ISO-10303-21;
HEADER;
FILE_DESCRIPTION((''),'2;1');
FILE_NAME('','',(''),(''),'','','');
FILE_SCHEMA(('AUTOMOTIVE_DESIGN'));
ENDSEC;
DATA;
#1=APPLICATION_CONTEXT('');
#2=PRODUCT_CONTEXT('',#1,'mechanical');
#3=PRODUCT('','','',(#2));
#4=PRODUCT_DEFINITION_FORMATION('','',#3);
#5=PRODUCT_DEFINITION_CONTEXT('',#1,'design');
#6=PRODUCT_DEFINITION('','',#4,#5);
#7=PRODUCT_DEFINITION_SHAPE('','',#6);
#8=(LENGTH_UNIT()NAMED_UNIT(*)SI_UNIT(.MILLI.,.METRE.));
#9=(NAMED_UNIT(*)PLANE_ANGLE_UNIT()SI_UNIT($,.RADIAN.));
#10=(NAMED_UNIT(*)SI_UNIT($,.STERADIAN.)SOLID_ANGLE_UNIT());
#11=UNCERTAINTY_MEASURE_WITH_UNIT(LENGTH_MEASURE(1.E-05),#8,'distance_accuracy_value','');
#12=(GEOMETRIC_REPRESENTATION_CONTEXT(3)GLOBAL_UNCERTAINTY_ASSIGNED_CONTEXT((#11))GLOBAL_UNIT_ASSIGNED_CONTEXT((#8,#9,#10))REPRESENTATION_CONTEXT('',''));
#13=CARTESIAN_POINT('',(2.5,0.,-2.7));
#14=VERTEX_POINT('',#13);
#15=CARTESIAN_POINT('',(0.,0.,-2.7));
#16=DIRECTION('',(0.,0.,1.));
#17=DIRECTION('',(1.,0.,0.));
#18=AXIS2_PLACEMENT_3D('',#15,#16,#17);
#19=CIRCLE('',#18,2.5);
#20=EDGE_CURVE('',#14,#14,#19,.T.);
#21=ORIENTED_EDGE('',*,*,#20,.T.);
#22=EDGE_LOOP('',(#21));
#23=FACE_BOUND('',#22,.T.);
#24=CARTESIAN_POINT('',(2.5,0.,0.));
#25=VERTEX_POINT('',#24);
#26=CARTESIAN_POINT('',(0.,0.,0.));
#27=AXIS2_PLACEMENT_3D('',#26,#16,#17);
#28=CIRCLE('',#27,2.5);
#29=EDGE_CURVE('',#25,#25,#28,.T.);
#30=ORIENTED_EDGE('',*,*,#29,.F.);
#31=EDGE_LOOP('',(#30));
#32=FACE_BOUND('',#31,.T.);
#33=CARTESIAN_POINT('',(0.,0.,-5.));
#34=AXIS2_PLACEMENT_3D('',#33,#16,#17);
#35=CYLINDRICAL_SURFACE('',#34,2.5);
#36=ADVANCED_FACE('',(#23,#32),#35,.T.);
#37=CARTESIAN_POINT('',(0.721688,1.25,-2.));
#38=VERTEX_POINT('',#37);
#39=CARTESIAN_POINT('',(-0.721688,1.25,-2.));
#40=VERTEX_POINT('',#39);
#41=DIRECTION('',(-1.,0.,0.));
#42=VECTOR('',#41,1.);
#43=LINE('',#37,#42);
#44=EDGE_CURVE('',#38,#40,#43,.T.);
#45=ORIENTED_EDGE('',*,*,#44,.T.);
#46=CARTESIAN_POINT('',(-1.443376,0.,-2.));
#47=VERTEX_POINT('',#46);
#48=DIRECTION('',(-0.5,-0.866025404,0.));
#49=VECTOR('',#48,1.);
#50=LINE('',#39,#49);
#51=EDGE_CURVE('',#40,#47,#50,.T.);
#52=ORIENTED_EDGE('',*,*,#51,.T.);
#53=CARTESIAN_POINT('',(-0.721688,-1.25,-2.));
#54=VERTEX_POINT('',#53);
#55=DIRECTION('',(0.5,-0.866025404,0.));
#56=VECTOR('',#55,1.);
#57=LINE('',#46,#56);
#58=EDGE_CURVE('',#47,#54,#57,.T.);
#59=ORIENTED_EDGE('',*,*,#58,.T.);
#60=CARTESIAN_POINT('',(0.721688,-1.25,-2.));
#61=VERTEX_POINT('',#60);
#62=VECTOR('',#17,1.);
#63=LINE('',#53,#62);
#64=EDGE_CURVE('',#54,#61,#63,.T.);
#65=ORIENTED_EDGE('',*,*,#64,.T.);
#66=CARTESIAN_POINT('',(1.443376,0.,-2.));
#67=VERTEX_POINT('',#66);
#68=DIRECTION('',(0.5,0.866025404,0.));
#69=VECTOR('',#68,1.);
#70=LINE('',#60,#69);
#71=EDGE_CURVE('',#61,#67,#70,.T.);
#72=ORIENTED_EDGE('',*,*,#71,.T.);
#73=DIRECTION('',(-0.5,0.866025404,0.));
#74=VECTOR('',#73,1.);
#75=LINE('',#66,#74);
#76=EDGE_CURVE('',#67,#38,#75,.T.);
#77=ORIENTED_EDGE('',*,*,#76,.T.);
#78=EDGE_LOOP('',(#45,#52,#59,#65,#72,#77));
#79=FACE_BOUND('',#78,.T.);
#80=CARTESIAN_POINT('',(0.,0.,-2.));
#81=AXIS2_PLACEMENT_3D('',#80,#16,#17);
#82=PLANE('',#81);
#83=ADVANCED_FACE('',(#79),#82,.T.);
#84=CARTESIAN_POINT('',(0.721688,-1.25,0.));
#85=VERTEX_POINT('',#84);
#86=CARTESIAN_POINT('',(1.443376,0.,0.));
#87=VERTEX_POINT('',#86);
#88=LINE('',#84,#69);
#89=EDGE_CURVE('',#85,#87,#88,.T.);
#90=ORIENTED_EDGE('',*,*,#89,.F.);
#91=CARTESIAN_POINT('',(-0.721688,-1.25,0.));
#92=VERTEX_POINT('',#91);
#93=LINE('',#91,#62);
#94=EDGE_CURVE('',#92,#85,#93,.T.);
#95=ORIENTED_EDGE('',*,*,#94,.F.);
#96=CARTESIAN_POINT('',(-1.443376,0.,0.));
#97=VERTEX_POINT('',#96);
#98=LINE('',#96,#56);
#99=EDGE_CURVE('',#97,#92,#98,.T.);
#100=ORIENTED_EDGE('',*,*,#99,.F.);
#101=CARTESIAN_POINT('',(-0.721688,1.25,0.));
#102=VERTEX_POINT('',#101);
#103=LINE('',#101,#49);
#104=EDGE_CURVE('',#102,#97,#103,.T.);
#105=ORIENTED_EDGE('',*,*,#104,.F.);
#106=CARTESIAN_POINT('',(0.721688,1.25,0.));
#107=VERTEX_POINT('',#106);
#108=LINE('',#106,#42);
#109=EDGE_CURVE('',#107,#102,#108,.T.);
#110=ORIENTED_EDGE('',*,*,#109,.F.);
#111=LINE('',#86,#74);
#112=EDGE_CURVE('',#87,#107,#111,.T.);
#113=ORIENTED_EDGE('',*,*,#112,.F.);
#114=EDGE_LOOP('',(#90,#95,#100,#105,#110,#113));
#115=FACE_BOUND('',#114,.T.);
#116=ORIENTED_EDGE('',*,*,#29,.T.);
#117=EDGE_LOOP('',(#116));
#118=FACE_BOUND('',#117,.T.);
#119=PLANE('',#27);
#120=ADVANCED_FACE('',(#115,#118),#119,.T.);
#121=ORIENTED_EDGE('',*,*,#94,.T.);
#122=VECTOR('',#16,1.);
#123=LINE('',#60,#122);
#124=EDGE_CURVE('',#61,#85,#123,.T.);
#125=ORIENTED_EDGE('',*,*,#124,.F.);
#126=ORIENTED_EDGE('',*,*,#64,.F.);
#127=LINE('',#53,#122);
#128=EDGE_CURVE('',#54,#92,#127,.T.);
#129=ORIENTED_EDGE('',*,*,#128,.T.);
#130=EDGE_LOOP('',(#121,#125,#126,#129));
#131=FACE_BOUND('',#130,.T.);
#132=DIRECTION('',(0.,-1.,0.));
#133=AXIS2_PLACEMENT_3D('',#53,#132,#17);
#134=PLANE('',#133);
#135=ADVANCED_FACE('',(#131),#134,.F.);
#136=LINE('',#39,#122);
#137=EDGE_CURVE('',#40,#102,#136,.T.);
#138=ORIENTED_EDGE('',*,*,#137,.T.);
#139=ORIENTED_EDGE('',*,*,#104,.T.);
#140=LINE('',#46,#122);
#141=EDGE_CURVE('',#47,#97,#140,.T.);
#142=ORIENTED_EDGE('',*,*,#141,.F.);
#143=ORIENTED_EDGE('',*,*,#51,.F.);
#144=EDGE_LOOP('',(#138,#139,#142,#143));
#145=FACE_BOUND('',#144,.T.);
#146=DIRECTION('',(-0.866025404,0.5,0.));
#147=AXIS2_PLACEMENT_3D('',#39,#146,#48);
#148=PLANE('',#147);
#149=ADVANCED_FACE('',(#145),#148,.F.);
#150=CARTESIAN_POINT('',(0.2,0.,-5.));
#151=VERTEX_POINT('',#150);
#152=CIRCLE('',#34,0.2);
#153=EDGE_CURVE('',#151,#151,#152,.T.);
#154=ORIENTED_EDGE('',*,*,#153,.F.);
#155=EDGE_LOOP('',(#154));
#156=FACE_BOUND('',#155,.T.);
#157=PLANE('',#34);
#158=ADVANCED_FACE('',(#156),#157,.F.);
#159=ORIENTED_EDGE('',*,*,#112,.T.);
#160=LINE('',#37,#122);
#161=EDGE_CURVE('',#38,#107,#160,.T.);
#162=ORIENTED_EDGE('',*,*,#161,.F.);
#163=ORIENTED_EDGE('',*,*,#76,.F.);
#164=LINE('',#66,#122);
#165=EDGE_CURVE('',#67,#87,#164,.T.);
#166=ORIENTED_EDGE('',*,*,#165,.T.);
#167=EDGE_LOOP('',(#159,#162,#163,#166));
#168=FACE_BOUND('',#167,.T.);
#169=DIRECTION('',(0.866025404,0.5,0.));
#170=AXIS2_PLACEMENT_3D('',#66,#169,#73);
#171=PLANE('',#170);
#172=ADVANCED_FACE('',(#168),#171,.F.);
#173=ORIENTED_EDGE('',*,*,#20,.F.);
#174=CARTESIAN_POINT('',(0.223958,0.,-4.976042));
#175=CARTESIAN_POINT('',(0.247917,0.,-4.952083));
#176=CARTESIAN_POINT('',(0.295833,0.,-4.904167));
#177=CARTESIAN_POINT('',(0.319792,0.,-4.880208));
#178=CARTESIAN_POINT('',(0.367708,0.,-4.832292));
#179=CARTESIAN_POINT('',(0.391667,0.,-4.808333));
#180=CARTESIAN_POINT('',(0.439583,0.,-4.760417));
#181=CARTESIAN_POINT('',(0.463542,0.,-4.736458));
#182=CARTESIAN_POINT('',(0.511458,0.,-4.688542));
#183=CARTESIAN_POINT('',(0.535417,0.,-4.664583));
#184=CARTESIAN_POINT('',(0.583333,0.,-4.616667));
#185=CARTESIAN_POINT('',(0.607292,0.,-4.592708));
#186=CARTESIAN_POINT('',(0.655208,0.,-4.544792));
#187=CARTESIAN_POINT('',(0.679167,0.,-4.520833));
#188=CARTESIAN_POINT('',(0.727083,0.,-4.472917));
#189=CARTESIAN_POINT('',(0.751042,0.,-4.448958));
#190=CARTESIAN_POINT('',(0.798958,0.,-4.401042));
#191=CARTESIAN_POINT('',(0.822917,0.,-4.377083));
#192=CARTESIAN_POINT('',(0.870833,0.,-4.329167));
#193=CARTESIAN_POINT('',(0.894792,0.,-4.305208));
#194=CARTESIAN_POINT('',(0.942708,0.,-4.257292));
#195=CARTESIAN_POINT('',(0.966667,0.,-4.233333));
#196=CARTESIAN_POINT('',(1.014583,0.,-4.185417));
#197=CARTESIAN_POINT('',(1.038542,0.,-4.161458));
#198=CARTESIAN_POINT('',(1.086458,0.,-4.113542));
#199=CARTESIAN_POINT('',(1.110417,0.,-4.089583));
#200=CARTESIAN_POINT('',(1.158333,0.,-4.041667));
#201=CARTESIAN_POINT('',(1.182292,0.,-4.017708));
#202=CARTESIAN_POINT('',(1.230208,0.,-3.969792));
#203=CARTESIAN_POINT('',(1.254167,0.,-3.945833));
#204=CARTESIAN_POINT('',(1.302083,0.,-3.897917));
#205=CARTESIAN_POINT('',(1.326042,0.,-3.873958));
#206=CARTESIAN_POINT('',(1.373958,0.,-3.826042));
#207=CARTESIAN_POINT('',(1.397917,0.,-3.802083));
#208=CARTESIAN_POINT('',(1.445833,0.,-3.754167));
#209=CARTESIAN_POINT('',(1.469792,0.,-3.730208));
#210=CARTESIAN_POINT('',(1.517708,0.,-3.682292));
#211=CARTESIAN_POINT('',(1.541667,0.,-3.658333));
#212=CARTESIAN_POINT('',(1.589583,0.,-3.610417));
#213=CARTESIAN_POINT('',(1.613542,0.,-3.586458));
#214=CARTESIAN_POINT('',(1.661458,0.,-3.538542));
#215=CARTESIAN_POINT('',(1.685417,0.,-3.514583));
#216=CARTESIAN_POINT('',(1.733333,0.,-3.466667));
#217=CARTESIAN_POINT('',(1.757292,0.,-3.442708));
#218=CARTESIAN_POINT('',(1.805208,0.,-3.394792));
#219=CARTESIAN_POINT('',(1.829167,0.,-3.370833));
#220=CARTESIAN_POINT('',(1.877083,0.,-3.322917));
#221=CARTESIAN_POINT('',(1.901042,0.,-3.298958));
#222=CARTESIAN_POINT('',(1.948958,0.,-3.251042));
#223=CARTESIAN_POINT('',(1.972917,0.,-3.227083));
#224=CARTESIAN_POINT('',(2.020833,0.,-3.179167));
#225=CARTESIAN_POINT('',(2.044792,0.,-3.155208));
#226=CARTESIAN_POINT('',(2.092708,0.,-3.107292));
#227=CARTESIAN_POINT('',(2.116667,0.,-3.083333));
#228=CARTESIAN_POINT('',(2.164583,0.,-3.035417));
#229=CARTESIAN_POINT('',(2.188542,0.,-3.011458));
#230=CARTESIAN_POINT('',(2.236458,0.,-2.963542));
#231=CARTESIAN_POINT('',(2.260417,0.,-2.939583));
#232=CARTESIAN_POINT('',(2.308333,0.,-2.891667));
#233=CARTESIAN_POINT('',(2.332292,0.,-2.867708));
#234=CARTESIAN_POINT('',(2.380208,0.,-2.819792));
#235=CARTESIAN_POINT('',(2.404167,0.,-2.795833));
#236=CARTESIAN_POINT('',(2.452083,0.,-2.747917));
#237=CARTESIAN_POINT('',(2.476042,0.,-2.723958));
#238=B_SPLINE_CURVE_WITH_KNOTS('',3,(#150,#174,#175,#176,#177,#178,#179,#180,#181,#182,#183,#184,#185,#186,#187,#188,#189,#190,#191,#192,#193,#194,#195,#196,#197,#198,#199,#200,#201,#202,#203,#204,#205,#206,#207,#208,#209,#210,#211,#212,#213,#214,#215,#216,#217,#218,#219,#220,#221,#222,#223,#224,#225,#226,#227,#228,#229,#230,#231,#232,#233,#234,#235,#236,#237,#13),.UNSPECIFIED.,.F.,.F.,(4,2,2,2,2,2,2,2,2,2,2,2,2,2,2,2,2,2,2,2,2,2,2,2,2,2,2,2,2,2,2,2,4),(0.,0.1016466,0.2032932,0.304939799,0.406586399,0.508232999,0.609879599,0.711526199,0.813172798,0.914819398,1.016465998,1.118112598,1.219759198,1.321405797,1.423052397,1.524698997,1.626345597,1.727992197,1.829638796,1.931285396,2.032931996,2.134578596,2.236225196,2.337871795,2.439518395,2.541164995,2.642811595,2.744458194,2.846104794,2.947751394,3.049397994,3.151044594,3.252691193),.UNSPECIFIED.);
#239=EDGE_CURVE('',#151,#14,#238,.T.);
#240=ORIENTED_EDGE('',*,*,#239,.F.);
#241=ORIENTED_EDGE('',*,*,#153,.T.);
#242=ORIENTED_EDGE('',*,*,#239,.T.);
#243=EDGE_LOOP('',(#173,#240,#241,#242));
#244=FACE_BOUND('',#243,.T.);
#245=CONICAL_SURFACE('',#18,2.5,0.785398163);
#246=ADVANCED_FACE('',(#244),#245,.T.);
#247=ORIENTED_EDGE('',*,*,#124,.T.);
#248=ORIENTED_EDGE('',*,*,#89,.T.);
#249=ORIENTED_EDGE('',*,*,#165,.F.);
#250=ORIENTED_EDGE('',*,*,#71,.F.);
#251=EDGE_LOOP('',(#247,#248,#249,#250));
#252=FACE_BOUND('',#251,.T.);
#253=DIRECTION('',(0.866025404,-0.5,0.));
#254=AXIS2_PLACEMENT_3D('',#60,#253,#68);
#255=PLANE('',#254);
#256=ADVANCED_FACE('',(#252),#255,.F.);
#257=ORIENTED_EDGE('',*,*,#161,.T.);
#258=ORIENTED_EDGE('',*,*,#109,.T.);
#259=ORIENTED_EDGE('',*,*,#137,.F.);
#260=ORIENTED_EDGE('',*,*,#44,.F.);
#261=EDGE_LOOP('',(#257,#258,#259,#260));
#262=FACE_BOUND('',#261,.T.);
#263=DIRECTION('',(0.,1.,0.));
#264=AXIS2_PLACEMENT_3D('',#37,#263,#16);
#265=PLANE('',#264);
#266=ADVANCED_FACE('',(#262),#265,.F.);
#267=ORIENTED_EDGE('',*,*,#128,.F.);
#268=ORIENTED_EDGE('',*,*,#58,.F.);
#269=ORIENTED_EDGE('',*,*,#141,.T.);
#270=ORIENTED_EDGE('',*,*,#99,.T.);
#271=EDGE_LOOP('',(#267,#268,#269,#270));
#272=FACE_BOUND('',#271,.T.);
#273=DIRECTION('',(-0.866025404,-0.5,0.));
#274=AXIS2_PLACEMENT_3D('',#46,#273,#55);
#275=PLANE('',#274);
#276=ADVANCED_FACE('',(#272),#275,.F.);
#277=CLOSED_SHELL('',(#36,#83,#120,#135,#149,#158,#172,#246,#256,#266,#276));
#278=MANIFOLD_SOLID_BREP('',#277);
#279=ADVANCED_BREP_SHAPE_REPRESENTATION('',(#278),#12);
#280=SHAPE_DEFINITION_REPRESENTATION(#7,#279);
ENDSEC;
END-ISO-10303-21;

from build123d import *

# Parameters (mm, degrees)
SKETCH1_R           = 2.5
BOSS_EXTRUDE1_DEPTH = 5
CUT_EXTRUDE1_DEPTH  = 2


with BuildPart() as part:
    # Sketch1 → Boss-Extrude1 (new body)
    with BuildSketch(Plane.XY):
        Circle(SKETCH1_R)
    extrude(amount=-BOSS_EXTRUDE1_DEPTH)

    # Sketch2 → Cut-Extrude1 (cut)
    with BuildSketch(Plane.XY):
        Polygon((1.443375673, 0), (0.721687836, 1.25), (-0.721687836, 1.25), (-1.443375673, 0), (-0.721687836, -1.25), (0.721687836, -1.25), align=None)
    extrude(amount=-CUT_EXTRUDE1_DEPTH, mode=Mode.SUBTRACT)

    # Sketch3 → Chamfer 2 (revolve, cut)
    with BuildSketch(Plane(origin=(0, 0, 0), x_dir=(0, 0, -1), z_dir=(1, 0, 0)), mode=Mode.PRIVATE) as chamfer_2_sk:
        Polygon((5, 2.5), (5, 0.2), (2.7, 2.5), align=None)
    revolve(chamfer_2_sk.sketch.rotate(Axis((0, 0, 0), (0, 0, -1)), 90), axis=Axis((0, 0, 0), (0, 0, -1)), mode=Mode.SUBTRACT)


solid = part.part
